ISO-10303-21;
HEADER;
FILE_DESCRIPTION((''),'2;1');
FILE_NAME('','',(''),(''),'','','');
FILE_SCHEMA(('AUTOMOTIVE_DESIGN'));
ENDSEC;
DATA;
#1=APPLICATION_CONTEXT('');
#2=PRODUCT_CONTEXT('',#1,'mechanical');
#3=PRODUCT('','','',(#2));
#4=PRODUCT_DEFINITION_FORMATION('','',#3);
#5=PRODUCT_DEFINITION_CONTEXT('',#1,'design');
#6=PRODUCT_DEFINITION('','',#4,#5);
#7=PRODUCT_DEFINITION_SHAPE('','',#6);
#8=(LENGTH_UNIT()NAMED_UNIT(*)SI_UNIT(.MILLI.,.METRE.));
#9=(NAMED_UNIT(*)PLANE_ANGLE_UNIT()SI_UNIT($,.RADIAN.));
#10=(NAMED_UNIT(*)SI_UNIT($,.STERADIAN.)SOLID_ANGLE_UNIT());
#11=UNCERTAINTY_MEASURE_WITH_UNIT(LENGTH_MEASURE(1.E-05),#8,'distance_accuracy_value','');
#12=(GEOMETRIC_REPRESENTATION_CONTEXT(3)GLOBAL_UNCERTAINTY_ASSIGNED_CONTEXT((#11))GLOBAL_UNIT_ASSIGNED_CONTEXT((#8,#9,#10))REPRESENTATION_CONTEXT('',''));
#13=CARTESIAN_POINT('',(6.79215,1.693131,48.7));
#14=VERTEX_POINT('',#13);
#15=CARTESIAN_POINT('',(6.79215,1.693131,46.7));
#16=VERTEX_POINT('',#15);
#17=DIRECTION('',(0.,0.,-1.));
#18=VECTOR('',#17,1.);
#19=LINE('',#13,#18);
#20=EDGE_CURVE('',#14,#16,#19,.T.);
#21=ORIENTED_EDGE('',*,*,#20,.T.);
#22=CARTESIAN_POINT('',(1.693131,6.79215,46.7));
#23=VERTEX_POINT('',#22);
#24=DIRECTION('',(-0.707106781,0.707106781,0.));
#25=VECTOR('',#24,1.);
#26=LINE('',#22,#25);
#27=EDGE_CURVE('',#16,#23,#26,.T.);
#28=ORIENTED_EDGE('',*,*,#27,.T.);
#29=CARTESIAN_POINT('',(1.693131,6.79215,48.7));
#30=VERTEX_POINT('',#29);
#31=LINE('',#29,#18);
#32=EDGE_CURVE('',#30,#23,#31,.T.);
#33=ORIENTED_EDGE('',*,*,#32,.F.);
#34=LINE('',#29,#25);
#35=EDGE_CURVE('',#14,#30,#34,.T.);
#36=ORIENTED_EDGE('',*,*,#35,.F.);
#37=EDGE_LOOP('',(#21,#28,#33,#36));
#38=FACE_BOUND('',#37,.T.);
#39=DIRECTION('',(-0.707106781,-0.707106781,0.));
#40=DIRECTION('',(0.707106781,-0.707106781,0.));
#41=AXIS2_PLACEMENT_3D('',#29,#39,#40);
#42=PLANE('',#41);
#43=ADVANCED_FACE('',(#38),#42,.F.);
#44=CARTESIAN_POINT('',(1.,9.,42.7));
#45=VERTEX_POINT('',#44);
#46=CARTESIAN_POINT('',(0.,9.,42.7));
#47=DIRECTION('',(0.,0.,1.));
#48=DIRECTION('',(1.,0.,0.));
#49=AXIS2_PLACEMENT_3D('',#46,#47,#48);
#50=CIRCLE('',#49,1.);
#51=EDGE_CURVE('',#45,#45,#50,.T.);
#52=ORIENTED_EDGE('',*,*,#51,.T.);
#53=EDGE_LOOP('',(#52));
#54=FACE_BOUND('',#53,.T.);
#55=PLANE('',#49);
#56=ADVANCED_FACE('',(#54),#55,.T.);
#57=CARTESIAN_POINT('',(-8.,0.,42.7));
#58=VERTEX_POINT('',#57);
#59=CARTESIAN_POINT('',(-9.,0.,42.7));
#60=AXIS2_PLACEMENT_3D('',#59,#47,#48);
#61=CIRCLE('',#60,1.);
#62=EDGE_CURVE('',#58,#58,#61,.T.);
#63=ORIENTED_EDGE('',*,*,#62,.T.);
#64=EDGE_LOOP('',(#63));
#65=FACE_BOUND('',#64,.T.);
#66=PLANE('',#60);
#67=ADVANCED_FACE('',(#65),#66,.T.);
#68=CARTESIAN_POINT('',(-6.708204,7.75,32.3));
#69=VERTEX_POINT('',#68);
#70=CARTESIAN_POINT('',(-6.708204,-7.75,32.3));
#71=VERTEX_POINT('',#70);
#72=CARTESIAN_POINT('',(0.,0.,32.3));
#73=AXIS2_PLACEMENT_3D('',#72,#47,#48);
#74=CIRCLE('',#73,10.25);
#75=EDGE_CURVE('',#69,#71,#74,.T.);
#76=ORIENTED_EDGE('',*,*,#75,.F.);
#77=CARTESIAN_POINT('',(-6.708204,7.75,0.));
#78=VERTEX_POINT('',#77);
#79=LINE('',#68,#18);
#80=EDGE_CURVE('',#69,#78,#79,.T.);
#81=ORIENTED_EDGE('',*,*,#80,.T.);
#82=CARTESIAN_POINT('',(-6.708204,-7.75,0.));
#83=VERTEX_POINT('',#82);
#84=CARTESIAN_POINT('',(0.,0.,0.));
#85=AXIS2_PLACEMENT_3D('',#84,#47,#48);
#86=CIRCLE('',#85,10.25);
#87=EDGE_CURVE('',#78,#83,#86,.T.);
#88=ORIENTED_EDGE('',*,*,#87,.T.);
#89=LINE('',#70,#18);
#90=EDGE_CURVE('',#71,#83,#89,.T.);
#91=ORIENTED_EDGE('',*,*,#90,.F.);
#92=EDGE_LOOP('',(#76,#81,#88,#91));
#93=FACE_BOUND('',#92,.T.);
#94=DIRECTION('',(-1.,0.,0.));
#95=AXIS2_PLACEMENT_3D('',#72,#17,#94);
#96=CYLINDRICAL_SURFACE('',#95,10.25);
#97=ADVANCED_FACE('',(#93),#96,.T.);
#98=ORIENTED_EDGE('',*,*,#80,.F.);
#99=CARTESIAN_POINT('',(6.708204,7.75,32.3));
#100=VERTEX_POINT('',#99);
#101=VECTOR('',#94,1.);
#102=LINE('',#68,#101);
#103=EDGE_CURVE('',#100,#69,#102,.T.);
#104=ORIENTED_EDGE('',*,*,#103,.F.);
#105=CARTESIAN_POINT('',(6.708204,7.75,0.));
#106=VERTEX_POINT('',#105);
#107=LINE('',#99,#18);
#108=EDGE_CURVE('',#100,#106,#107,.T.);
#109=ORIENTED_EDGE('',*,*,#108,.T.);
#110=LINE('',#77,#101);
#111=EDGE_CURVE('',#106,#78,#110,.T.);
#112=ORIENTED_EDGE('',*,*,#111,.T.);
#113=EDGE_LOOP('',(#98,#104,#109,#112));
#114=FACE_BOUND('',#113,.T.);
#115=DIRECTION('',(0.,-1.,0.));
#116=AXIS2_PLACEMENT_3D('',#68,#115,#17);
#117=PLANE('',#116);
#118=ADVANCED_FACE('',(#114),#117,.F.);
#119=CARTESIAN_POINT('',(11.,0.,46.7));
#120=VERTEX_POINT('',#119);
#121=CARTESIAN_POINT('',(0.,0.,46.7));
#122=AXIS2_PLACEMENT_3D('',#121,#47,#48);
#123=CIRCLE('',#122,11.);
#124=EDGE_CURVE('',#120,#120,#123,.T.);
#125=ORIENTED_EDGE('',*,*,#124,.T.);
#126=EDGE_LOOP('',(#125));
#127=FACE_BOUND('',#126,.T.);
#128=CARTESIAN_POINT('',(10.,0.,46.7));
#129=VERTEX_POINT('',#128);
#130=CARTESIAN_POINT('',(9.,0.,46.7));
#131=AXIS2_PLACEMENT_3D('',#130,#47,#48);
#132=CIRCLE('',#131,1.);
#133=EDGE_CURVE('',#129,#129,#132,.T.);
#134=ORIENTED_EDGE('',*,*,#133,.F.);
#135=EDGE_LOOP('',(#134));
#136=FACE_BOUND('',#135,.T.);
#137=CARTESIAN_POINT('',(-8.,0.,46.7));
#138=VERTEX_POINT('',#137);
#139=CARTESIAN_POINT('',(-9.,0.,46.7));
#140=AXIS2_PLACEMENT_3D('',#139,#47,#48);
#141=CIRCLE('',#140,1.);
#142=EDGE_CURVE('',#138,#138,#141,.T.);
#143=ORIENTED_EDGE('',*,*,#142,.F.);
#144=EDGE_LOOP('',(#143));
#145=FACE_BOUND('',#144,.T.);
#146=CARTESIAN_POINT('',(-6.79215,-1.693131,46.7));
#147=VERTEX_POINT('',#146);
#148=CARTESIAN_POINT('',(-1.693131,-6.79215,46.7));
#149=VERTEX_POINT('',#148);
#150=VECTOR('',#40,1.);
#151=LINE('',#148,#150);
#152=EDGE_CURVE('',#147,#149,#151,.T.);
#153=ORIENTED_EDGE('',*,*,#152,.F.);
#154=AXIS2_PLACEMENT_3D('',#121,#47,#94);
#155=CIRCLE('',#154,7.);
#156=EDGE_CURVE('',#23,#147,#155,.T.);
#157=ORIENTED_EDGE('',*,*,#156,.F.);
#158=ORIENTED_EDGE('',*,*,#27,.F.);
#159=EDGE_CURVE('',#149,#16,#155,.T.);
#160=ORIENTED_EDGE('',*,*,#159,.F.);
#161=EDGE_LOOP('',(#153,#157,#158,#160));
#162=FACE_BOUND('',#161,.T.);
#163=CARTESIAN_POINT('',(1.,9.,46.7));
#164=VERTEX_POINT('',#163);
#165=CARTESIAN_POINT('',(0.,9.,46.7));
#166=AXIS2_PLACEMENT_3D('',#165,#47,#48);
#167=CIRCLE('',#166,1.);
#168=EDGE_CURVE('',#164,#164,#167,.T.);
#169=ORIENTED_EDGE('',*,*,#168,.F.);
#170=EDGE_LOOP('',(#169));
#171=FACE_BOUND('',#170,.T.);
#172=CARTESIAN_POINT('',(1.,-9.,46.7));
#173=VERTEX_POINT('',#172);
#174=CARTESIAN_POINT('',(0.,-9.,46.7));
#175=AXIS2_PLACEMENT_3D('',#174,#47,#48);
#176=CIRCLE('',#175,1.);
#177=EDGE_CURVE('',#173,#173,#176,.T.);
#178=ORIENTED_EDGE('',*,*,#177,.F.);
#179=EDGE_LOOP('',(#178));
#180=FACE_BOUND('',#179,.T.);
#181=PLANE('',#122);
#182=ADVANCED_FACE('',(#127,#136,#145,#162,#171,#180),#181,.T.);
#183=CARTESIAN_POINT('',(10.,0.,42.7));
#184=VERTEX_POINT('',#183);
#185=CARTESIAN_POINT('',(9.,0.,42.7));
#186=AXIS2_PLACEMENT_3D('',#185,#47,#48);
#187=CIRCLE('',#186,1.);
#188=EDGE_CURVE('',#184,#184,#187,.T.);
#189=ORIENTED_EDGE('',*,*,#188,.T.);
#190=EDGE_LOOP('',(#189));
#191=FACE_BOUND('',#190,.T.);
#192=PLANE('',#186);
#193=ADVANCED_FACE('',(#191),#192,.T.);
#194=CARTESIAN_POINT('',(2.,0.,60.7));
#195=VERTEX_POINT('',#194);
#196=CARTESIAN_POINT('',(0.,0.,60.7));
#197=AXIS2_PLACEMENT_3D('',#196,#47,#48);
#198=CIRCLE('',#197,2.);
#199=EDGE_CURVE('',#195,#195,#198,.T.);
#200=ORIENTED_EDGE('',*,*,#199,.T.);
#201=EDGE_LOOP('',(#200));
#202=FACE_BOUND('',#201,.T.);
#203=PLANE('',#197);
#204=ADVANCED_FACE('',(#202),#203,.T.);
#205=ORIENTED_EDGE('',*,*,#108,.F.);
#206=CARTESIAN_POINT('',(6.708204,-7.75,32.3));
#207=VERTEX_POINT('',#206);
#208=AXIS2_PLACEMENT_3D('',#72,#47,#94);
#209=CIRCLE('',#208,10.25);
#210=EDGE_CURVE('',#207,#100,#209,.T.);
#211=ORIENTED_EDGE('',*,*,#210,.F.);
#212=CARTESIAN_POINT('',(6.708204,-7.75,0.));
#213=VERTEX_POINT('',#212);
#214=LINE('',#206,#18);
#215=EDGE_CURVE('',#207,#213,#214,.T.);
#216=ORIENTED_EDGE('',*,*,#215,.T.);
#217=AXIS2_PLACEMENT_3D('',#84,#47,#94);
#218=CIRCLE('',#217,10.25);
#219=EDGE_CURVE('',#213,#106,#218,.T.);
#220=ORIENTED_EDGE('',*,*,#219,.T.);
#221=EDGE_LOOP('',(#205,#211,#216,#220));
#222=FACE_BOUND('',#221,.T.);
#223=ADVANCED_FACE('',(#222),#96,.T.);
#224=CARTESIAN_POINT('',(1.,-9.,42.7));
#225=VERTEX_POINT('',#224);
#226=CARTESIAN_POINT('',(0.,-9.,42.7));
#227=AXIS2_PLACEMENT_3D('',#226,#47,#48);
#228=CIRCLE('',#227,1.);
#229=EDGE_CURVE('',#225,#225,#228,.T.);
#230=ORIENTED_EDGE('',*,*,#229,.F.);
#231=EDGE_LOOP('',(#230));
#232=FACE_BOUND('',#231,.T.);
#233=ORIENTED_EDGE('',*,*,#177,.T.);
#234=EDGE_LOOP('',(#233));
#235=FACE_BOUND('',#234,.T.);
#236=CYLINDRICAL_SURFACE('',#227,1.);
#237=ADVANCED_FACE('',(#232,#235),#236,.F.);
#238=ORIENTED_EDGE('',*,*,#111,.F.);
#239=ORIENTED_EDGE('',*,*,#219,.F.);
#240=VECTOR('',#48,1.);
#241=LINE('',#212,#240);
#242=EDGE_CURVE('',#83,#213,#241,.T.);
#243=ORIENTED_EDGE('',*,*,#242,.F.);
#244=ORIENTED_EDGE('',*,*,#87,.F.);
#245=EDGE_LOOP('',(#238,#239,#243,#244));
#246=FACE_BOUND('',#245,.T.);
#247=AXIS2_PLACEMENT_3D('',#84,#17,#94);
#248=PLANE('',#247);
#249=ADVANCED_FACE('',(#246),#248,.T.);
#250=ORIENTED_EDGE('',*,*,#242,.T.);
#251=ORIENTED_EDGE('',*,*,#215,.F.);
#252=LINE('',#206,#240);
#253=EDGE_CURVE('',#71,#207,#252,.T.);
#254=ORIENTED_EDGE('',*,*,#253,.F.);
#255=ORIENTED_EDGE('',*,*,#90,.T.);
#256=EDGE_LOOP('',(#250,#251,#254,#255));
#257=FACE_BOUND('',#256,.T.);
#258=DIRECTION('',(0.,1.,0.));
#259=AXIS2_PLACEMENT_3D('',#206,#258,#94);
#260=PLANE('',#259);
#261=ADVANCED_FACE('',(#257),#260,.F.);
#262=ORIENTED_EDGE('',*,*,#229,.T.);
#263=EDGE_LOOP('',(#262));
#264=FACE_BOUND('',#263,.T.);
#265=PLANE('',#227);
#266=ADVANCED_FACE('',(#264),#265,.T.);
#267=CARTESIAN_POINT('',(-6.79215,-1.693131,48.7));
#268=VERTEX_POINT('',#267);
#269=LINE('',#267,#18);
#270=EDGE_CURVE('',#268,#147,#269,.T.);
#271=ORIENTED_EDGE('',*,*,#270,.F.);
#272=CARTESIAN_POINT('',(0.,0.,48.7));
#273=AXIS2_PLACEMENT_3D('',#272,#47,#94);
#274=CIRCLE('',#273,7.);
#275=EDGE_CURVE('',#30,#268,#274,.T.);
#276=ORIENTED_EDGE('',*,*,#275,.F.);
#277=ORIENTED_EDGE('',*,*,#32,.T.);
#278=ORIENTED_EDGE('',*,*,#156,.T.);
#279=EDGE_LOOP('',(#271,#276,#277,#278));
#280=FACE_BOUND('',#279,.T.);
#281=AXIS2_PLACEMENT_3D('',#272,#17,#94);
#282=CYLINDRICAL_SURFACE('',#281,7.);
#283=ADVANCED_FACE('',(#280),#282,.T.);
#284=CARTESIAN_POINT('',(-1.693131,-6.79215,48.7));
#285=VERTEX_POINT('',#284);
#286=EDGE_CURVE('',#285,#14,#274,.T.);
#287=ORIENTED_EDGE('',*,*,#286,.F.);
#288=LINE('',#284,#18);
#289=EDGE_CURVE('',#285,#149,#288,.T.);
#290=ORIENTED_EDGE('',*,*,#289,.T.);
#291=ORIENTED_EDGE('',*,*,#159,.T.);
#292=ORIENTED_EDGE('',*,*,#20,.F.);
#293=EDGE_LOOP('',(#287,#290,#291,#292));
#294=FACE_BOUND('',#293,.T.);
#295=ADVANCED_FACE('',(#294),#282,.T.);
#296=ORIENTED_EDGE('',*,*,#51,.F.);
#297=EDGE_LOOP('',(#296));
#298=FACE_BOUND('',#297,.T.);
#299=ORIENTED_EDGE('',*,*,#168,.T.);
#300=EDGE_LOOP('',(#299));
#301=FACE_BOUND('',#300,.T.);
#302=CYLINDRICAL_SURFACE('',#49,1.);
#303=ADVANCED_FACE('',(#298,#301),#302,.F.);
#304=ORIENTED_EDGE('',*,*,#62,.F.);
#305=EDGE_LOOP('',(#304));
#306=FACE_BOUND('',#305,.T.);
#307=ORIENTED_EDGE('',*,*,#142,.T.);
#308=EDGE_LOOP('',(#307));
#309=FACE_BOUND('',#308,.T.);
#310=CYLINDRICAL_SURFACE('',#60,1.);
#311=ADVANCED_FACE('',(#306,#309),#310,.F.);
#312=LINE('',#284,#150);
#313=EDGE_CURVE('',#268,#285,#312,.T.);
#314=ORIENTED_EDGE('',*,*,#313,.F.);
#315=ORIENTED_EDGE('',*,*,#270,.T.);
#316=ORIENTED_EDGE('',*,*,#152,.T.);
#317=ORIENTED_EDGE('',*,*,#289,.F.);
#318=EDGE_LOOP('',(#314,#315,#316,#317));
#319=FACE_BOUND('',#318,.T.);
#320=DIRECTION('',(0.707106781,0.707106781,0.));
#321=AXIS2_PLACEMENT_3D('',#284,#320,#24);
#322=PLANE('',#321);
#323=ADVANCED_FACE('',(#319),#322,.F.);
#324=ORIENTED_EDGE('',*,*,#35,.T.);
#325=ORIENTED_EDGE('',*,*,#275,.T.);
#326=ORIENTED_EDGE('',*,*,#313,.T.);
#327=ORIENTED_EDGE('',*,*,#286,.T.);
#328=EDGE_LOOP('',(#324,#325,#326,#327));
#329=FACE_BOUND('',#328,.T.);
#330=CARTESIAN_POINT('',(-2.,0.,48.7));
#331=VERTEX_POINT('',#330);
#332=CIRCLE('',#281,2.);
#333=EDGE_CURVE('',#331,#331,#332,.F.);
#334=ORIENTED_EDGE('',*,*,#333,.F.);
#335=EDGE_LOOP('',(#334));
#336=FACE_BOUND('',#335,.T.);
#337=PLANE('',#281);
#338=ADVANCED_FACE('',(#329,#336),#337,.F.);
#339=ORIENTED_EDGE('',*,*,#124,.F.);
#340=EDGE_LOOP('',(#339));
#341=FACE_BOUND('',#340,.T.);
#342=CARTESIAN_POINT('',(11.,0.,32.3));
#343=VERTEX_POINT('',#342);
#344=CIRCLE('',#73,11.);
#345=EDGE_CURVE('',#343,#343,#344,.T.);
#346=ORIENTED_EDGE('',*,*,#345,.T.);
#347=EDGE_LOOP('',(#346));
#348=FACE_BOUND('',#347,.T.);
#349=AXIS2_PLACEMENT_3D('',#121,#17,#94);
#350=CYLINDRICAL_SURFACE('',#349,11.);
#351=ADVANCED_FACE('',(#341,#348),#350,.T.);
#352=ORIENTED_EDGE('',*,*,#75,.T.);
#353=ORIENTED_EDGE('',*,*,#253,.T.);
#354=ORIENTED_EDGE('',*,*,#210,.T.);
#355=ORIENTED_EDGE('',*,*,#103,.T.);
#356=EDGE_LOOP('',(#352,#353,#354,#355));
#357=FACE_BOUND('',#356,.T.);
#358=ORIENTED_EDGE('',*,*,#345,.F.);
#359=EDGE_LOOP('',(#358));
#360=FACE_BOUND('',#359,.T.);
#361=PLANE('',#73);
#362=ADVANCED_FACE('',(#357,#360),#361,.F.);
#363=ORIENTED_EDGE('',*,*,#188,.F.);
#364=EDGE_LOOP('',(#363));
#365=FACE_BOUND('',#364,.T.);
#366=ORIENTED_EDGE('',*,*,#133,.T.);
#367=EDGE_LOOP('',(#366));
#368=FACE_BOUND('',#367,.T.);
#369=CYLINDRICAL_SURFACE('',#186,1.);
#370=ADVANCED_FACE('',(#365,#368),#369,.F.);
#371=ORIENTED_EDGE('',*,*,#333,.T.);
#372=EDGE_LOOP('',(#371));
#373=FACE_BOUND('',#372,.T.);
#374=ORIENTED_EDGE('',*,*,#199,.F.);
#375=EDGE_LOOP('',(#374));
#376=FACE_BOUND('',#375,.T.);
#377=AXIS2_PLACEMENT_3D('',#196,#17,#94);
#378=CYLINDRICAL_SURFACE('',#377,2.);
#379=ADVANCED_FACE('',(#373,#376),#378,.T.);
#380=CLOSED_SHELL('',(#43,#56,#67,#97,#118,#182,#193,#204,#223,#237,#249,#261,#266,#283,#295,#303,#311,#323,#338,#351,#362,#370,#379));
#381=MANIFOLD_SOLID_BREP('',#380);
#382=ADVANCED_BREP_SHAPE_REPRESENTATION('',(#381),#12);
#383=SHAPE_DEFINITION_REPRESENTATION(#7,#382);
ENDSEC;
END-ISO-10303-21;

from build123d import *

# Parameters (mm, degrees)
BOSS_EXTRU_1_DEPTH      = 32.3
ESQUISSE2_R             = 11
BOSS_EXTRU_2_DEPTH      = 14.4
BOSS_EXTRU_3_DEPTH      = 2
ESQUISSE5_R             = 2
BOSS_EXTRU_4_DEPTH      = 12
ESQUISSE6_R             = 1
ENL_V_MAT_EXTRU_1_DEPTH = 4


with BuildPart() as part:
    # Esquisse1 → Boss.-Extru.1 (new body)
    with BuildSketch(Plane.XY):
        with BuildLine():
            Line((6.708203932, -7.75), (-6.708203932, -7.75))
            ThreePointArc((-6.708203932, -7.75), (-10.25, 0), (-6.708203932, 7.75))
            Line((-6.708203932, 7.75), (6.708203932, 7.75))
            ThreePointArc((6.708203932, 7.75), (10.25, 0), (6.708203932, -7.75))
        make_face()
    extrude(amount=BOSS_EXTRU_1_DEPTH)

    # Esquisse2 → Boss.-Extru.2 (add)
    with BuildSketch(Plane.XY.offset(32.3)):
        Circle(ESQUISSE2_R)
    extrude(amount=BOSS_EXTRU_2_DEPTH)

    # Esquisse4 → Boss.-Extru.3 (add)
    with BuildSketch(Plane.XY.offset(46.7)):
        with BuildLine():
            Line((-1.69313093, -6.792150444), (-6.792150444, -1.69313093))
            ThreePointArc((-6.792150444, -1.69313093), (-4.949747468, 4.949747468), (1.69313093, 6.792150444))
            Line((1.69313093, 6.792150444), (6.792150444, 1.69313093))
            ThreePointArc((6.792150444, 1.69313093), (4.949747468, -4.949747468), (-1.69313093, -6.792150444))
        make_face()
    extrude(amount=BOSS_EXTRU_3_DEPTH)

    # Esquisse5 → Boss.-Extru.4 (add)
    with BuildSketch(Plane.XY.offset(48.7)):
        with Locations(Location((0, 0, 0), (0, 0, 180))):
            Circle(ESQUISSE5_R)
    extrude(amount=BOSS_EXTRU_4_DEPTH)

    # Esquisse6 → Enlèv. mat.-Extru.1 (cut)
    with BuildSketch(Plane.XY.offset(46.7)):
        with Locations((-9, 0)):
            Circle(ESQUISSE6_R)
        with Locations((0, 9)):
            Circle(ESQUISSE6_R)
        with Locations((9, 0)):
            Circle(ESQUISSE6_R)
        with Locations((0, -9)):
            Circle(ESQUISSE6_R)
    extrude(amount=-ENL_V_MAT_EXTRU_1_DEPTH, mode=Mode.SUBTRACT)


solid = part.part
